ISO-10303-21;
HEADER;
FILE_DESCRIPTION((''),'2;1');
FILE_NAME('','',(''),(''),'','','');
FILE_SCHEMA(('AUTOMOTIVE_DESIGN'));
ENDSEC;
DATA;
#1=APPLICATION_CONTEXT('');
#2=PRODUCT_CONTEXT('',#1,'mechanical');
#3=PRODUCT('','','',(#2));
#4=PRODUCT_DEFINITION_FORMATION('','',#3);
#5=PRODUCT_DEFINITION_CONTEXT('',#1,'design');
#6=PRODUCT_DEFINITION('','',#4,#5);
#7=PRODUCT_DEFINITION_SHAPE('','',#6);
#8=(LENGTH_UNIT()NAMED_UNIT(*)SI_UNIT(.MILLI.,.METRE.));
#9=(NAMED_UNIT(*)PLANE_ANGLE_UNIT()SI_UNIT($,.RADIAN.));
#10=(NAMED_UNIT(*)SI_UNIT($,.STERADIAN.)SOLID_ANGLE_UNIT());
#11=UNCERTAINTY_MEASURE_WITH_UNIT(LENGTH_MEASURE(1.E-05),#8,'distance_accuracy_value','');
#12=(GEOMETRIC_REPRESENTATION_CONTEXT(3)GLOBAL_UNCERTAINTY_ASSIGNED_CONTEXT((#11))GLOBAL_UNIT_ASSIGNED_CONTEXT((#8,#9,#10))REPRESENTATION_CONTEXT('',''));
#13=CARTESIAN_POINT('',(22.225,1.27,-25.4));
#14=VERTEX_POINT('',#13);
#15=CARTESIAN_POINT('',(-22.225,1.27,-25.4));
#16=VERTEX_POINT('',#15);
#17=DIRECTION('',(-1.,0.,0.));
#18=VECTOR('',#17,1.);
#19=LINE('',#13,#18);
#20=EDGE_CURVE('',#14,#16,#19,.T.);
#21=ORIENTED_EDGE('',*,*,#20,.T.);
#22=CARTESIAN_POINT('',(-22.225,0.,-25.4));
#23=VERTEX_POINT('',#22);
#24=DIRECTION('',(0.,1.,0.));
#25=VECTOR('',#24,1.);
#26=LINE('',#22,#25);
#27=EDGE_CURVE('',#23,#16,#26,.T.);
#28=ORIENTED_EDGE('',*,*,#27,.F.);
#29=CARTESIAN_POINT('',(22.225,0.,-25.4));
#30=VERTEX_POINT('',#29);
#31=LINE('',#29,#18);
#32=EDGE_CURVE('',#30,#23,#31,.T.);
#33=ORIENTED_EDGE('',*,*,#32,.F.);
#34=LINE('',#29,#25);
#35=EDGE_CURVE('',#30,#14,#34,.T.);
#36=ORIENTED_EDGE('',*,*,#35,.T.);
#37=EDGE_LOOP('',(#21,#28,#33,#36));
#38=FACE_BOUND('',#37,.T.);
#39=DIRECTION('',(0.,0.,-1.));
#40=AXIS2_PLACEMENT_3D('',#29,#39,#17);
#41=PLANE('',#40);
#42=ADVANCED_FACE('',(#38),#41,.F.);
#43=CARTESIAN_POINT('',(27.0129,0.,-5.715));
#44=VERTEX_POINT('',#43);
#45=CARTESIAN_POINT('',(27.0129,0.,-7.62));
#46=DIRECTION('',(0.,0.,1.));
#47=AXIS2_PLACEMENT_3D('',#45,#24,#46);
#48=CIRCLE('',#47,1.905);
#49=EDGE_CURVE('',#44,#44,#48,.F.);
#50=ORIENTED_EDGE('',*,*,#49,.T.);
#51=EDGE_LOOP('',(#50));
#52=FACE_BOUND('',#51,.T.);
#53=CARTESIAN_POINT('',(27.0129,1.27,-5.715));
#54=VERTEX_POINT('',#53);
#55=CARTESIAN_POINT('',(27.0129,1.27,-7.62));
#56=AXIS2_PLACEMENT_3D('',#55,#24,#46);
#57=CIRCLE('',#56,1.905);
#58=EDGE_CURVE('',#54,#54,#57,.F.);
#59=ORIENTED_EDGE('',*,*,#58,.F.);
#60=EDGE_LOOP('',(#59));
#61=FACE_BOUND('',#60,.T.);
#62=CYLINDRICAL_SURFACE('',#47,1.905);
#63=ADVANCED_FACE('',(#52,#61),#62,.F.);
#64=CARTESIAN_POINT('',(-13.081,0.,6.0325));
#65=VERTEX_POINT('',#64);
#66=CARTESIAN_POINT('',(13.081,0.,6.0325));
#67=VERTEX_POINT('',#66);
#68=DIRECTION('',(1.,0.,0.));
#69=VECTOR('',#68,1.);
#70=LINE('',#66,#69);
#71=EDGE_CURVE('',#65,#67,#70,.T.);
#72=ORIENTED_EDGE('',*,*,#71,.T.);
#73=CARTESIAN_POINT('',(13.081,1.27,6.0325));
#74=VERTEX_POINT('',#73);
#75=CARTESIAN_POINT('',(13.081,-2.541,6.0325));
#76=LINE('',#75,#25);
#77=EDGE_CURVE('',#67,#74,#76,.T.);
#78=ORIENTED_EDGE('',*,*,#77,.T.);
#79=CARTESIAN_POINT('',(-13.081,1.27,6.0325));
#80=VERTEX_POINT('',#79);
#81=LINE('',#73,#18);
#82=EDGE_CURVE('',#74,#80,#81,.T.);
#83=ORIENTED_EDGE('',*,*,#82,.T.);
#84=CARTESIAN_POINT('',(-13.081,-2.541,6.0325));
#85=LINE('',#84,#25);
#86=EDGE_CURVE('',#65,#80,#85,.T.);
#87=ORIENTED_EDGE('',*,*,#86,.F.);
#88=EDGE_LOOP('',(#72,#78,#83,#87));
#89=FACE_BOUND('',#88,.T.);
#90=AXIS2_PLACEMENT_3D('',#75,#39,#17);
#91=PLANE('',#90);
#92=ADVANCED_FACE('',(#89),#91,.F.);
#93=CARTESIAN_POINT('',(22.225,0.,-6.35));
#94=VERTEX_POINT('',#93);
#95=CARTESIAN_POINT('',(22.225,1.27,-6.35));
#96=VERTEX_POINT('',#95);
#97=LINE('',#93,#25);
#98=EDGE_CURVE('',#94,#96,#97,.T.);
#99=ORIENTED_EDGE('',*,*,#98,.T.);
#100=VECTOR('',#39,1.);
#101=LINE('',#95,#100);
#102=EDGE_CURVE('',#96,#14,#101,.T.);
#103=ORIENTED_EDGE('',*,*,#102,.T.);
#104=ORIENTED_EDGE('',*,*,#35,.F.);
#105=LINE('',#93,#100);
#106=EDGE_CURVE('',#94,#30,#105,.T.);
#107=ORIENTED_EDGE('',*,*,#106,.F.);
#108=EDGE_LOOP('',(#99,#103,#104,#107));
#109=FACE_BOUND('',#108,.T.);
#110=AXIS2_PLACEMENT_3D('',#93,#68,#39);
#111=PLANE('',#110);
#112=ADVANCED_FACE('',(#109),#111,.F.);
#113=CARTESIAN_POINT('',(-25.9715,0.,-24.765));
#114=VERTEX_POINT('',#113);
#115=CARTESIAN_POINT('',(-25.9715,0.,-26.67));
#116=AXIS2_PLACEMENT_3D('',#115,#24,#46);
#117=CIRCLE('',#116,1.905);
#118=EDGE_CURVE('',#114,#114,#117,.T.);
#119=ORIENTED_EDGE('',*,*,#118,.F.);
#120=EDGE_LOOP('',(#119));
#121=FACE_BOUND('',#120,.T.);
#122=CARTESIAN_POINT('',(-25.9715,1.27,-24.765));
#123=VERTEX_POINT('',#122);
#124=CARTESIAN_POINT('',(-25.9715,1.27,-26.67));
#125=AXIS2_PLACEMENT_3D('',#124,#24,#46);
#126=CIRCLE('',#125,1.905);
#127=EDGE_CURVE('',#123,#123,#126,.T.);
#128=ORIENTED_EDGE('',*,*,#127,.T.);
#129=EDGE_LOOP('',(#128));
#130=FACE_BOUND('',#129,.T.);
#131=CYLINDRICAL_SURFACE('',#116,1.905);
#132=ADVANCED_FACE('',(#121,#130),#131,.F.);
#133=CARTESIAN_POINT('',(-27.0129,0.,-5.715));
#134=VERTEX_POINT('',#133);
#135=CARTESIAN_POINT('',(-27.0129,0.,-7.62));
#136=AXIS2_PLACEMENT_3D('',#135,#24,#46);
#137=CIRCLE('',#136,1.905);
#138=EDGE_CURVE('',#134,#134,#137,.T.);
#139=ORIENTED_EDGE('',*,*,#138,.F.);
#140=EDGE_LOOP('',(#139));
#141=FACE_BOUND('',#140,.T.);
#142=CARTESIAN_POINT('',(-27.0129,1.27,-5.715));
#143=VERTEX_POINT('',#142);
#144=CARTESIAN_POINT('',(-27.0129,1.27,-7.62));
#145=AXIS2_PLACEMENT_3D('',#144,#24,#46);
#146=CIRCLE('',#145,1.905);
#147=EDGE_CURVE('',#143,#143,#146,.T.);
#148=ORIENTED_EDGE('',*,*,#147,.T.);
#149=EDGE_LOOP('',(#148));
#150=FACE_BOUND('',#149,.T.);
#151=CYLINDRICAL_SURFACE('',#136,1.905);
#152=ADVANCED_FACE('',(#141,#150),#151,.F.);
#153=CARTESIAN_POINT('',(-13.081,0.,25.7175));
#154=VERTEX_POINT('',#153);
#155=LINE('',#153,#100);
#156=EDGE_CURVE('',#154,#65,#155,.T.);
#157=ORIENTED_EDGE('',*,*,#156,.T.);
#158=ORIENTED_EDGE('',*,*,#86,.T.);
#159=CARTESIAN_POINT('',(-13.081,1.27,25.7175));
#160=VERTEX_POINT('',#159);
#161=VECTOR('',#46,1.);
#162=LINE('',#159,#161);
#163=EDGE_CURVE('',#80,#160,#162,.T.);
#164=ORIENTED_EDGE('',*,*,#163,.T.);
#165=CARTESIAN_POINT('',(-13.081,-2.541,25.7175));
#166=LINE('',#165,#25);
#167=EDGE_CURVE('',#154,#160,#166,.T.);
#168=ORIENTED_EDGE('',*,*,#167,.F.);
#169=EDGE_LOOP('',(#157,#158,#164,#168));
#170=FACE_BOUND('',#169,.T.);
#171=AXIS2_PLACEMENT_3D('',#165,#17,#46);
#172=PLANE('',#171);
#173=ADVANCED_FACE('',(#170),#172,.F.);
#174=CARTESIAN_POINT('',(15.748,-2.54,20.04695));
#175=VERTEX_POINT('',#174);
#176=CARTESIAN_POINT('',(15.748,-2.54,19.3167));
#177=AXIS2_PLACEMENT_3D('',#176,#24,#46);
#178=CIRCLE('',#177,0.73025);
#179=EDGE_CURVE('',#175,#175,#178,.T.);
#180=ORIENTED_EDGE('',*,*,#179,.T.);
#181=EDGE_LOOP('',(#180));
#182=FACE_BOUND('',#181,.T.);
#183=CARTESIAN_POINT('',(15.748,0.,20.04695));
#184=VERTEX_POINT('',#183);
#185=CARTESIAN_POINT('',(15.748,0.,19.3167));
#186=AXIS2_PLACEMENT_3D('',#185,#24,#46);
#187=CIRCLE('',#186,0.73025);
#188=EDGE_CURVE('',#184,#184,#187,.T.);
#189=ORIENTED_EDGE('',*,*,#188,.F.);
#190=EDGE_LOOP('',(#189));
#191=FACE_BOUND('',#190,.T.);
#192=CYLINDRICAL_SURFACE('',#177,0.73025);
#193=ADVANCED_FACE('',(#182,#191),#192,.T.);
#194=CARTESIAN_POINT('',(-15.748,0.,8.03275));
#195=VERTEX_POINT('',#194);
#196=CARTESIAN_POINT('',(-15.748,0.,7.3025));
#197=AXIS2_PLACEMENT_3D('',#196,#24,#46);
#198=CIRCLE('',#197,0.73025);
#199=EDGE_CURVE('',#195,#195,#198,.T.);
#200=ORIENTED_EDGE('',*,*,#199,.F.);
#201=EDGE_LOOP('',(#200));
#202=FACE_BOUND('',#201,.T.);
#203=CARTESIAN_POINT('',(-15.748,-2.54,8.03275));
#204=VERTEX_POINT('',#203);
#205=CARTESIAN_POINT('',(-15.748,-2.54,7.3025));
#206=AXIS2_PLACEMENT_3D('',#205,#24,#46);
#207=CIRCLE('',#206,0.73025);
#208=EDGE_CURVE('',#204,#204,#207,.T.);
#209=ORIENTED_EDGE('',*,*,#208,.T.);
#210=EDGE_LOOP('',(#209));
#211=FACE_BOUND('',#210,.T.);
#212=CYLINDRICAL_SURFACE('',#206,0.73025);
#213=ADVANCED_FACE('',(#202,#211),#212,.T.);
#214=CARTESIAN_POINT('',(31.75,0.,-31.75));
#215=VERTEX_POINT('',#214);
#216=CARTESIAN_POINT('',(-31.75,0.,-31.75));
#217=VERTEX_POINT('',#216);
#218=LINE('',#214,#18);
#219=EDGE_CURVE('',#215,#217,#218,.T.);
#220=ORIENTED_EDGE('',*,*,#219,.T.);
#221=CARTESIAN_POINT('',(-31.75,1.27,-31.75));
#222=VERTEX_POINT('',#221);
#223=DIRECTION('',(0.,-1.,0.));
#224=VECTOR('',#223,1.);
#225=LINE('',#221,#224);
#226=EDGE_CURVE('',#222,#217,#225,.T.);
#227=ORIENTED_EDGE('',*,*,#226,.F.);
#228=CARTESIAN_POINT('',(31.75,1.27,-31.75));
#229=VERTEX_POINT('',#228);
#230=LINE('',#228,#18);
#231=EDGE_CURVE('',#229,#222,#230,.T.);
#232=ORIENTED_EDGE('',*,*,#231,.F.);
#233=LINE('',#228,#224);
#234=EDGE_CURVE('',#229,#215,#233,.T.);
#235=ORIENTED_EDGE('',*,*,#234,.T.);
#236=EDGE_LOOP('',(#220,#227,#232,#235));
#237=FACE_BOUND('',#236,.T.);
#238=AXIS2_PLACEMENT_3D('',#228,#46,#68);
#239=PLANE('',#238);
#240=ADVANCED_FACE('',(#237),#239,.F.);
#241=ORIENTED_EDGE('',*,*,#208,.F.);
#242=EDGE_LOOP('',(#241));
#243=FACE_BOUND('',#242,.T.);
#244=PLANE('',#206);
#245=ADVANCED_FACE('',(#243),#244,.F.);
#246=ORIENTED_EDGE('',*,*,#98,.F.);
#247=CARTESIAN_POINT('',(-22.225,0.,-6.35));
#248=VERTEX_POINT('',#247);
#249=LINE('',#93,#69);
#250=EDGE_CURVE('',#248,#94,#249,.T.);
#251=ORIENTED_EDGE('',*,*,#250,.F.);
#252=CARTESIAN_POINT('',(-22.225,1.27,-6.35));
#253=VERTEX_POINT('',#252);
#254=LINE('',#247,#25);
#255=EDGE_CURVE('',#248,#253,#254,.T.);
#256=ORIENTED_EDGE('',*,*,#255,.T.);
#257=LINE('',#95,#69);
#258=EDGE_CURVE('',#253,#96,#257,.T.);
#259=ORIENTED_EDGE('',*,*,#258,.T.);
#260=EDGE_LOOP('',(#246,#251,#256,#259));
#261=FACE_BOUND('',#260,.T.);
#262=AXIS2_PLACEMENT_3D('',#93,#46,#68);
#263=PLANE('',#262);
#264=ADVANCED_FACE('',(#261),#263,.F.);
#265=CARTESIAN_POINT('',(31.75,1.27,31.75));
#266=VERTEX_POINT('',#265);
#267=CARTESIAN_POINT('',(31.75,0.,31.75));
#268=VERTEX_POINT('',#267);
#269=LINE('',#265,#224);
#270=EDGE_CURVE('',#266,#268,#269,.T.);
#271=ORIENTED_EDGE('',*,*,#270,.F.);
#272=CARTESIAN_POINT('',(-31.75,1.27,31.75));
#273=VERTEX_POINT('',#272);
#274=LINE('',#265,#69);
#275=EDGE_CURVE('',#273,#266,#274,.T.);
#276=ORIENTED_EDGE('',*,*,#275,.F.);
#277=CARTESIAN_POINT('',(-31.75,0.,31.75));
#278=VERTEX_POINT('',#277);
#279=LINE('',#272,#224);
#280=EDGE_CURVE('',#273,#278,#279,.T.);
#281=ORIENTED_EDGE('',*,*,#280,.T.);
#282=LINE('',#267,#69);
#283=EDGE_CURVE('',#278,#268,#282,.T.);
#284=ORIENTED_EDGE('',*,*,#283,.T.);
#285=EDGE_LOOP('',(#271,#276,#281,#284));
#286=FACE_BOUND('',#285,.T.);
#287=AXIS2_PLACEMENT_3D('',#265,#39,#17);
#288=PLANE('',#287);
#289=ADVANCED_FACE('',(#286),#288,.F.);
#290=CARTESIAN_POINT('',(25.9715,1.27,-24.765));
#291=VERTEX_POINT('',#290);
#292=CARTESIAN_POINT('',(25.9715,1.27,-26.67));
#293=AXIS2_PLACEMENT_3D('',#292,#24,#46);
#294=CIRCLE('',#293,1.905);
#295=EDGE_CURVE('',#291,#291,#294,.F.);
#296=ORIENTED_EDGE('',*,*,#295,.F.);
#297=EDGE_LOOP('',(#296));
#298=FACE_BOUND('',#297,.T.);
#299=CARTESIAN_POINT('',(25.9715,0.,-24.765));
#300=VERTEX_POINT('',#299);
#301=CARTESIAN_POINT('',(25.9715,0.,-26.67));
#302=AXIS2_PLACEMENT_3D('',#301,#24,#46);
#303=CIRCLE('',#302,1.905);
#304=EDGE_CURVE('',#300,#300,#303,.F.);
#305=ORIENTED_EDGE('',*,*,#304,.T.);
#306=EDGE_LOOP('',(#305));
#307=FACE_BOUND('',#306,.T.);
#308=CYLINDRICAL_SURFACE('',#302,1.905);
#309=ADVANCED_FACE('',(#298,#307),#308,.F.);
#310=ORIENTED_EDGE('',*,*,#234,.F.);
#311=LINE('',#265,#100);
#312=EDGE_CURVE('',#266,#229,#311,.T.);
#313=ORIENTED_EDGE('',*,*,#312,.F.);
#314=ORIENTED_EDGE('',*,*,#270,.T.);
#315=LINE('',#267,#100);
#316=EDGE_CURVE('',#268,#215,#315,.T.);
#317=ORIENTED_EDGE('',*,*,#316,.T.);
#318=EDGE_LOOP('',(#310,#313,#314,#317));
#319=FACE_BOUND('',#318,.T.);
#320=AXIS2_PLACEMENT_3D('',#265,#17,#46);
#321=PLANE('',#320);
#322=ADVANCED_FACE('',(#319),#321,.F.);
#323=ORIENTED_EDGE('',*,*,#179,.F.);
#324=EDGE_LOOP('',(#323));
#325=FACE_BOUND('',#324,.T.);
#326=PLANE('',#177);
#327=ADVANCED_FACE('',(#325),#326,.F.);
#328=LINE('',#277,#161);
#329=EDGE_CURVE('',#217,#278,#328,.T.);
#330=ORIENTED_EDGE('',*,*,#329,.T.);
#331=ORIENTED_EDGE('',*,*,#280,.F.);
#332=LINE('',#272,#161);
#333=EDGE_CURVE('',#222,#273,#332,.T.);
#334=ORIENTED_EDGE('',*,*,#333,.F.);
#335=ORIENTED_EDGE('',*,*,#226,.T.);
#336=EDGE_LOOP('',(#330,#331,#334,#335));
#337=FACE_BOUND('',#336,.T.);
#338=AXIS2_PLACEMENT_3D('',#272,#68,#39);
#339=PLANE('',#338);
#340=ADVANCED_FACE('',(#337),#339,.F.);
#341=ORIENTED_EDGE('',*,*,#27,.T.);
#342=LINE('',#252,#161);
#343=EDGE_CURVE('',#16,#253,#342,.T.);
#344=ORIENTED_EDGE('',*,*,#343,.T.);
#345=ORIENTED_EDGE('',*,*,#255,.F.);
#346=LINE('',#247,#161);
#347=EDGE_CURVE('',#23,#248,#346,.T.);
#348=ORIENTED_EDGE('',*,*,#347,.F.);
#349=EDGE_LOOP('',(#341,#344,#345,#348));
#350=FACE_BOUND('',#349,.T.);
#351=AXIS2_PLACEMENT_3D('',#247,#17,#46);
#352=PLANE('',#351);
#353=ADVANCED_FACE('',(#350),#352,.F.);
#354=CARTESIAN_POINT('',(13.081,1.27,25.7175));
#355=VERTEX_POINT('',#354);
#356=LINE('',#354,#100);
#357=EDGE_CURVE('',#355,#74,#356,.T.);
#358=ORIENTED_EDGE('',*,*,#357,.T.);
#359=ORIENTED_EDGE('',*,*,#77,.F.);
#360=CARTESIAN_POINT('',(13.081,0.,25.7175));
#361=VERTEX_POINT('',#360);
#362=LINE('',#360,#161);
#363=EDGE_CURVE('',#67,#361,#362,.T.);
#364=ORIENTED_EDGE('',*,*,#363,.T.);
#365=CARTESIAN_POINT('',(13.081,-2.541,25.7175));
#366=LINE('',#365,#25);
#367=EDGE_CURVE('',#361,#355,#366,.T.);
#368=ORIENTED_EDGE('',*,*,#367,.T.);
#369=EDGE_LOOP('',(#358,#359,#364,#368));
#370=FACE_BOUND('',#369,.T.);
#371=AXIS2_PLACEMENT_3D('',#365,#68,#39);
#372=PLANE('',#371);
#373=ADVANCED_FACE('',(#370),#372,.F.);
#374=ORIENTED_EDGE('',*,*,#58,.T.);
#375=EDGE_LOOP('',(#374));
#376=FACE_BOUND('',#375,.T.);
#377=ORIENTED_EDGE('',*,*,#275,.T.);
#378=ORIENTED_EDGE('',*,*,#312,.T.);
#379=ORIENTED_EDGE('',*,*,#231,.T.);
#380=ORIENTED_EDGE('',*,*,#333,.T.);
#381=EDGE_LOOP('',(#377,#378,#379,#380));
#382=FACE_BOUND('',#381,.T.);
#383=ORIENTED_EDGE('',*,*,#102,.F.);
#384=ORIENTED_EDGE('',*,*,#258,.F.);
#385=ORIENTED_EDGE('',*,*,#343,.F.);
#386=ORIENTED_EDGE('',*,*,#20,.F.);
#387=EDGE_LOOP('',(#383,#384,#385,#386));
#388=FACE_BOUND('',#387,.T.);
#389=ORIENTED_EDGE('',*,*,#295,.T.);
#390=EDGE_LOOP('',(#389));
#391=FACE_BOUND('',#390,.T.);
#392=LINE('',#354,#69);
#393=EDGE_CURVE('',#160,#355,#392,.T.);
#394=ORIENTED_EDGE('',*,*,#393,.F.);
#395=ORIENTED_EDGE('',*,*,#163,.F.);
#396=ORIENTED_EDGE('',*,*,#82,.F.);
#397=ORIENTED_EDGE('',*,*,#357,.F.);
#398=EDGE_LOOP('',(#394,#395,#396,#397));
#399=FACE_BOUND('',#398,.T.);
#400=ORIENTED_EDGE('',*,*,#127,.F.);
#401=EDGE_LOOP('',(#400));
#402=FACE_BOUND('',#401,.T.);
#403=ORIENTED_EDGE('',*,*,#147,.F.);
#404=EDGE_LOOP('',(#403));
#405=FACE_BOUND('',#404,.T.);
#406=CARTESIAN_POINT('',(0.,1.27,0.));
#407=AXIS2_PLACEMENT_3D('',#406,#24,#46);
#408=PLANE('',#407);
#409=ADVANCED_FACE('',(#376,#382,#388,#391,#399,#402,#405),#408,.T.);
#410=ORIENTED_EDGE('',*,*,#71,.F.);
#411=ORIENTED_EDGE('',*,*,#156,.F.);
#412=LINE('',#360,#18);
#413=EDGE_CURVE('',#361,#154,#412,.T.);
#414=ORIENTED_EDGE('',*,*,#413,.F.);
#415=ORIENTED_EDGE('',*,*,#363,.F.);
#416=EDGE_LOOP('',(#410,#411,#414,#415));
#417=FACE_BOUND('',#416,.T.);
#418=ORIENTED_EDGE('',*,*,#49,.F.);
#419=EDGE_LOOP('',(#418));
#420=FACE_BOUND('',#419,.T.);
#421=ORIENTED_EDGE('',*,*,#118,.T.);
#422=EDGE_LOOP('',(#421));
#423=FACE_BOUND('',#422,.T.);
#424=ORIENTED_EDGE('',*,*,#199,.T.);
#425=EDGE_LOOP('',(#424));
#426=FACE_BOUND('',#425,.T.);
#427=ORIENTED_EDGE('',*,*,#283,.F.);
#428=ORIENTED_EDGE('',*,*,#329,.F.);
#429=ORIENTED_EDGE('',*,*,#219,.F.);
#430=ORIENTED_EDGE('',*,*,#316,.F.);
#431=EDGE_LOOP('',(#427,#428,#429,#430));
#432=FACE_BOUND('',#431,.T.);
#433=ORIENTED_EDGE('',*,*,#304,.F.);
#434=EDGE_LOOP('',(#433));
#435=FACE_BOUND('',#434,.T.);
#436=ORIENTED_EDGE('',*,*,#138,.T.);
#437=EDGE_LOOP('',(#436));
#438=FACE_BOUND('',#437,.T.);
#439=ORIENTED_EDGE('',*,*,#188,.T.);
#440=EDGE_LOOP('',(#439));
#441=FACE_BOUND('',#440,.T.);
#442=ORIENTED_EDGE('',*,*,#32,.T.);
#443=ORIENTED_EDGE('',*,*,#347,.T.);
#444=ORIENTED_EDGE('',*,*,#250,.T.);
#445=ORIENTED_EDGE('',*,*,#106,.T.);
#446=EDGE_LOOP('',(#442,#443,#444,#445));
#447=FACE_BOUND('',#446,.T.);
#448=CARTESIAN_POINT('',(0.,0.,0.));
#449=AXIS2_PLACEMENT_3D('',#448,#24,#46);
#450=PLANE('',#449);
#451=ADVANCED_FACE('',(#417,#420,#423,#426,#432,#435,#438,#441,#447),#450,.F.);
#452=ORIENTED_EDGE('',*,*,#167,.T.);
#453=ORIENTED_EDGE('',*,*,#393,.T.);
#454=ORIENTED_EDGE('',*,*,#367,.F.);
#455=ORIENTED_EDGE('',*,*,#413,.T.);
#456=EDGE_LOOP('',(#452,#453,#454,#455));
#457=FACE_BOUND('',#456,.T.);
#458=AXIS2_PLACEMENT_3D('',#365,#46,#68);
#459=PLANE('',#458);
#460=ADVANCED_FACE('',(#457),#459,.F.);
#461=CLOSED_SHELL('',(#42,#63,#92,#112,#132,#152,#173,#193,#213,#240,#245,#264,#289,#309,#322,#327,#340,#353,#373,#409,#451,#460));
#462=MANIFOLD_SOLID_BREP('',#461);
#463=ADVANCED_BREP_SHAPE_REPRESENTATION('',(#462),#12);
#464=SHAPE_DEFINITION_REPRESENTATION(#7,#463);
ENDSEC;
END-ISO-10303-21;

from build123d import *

# Parameters (mm, degrees)
SKETCH1_W           = 63.5
SKETCH1_H           = 63.5
BOSS_EXTRUDE1_DEPTH = 1.27
SKETCH2_R           = 1.905
CUT_EXTRUDE1_DEPTH  = 1.27
SKETCH3_W           = 44.45
SKETCH3_H           = 19.05
CUT_EXTRUDE2_DEPTH  = 1.27
SKETCH4_R           = 0.73025
BOSS_EXTRUDE2_DEPTH = 3.81
CUT_EXTRUDE3_REACH  = 5.81
SKETCH5_W           = 26.162
SKETCH5_H           = 19.685


with BuildPart() as part:
    # Sketch1 → Boss-Extrude1 (new body)
    with BuildSketch(Plane(origin=(0, 0, 0), x_dir=(1, 0, 0), z_dir=(0, 1, 0))):
        Rectangle(SKETCH1_W, SKETCH1_H)
    extrude(amount=BOSS_EXTRUDE1_DEPTH)

    # Sketch2 → Cut-Extrude1 (cut)
    with BuildSketch(Plane(origin=(0, 1.27, 0), x_dir=(1, 0, 0), z_dir=(0, 1, 0))):
        with Locations((27.0129, 7.62)):
            Circle(SKETCH2_R)
        with Locations((25.9715, 26.67)):
            Circle(SKETCH2_R)
        with Locations((-27.0129, 7.62)):
            Circle(SKETCH2_R)
        with Locations((-25.9715, 26.67)):
            Circle(SKETCH2_R)
    extrude(amount=-CUT_EXTRUDE1_DEPTH, mode=Mode.SUBTRACT)

    # Sketch3 → Cut-Extrude2 (cut)
    with BuildSketch(Plane(origin=(0, 1.27, 0), x_dir=(1, 0, 0), z_dir=(0, 1, 0))):
        with Locations((0, 15.875)):
            Rectangle(SKETCH3_W, SKETCH3_H)
    extrude(amount=-CUT_EXTRUDE2_DEPTH, mode=Mode.SUBTRACT)

    # Sketch4 → Boss-Extrude2 (add)
    with BuildSketch(Plane(origin=(0, 1.27, 0), x_dir=(1, 0, 0), z_dir=(0, 1, 0))):
        with Locations((-15.748, -7.3025)):
            Circle(SKETCH4_R)
        with Locations((15.748, -19.3167)):
            Circle(SKETCH4_R)
    extrude(amount=-BOSS_EXTRUDE2_DEPTH)

    # Sketch5 → Cut-Extrude3 (cut, up to next)
    with BuildSketch(Plane(origin=(0, 1.27, 0), x_dir=(1, 0, 0), z_dir=(0, 1, 0)), mode=Mode.PRIVATE) as cut_extrude3_sk1:
        with Locations((0, -15.875)):
            Rectangle(SKETCH5_W, SKETCH5_H)
    cut_extrude3_tool1 = extrude(cut_extrude3_sk1.sketch, amount=-CUT_EXTRUDE3_REACH, mode=Mode.PRIVATE) & part.part
    add(cut_extrude3_tool1.solids().sort_by_distance((0, 1.27, 15.875))[0], mode=Mode.SUBTRACT)


solid = part.part
